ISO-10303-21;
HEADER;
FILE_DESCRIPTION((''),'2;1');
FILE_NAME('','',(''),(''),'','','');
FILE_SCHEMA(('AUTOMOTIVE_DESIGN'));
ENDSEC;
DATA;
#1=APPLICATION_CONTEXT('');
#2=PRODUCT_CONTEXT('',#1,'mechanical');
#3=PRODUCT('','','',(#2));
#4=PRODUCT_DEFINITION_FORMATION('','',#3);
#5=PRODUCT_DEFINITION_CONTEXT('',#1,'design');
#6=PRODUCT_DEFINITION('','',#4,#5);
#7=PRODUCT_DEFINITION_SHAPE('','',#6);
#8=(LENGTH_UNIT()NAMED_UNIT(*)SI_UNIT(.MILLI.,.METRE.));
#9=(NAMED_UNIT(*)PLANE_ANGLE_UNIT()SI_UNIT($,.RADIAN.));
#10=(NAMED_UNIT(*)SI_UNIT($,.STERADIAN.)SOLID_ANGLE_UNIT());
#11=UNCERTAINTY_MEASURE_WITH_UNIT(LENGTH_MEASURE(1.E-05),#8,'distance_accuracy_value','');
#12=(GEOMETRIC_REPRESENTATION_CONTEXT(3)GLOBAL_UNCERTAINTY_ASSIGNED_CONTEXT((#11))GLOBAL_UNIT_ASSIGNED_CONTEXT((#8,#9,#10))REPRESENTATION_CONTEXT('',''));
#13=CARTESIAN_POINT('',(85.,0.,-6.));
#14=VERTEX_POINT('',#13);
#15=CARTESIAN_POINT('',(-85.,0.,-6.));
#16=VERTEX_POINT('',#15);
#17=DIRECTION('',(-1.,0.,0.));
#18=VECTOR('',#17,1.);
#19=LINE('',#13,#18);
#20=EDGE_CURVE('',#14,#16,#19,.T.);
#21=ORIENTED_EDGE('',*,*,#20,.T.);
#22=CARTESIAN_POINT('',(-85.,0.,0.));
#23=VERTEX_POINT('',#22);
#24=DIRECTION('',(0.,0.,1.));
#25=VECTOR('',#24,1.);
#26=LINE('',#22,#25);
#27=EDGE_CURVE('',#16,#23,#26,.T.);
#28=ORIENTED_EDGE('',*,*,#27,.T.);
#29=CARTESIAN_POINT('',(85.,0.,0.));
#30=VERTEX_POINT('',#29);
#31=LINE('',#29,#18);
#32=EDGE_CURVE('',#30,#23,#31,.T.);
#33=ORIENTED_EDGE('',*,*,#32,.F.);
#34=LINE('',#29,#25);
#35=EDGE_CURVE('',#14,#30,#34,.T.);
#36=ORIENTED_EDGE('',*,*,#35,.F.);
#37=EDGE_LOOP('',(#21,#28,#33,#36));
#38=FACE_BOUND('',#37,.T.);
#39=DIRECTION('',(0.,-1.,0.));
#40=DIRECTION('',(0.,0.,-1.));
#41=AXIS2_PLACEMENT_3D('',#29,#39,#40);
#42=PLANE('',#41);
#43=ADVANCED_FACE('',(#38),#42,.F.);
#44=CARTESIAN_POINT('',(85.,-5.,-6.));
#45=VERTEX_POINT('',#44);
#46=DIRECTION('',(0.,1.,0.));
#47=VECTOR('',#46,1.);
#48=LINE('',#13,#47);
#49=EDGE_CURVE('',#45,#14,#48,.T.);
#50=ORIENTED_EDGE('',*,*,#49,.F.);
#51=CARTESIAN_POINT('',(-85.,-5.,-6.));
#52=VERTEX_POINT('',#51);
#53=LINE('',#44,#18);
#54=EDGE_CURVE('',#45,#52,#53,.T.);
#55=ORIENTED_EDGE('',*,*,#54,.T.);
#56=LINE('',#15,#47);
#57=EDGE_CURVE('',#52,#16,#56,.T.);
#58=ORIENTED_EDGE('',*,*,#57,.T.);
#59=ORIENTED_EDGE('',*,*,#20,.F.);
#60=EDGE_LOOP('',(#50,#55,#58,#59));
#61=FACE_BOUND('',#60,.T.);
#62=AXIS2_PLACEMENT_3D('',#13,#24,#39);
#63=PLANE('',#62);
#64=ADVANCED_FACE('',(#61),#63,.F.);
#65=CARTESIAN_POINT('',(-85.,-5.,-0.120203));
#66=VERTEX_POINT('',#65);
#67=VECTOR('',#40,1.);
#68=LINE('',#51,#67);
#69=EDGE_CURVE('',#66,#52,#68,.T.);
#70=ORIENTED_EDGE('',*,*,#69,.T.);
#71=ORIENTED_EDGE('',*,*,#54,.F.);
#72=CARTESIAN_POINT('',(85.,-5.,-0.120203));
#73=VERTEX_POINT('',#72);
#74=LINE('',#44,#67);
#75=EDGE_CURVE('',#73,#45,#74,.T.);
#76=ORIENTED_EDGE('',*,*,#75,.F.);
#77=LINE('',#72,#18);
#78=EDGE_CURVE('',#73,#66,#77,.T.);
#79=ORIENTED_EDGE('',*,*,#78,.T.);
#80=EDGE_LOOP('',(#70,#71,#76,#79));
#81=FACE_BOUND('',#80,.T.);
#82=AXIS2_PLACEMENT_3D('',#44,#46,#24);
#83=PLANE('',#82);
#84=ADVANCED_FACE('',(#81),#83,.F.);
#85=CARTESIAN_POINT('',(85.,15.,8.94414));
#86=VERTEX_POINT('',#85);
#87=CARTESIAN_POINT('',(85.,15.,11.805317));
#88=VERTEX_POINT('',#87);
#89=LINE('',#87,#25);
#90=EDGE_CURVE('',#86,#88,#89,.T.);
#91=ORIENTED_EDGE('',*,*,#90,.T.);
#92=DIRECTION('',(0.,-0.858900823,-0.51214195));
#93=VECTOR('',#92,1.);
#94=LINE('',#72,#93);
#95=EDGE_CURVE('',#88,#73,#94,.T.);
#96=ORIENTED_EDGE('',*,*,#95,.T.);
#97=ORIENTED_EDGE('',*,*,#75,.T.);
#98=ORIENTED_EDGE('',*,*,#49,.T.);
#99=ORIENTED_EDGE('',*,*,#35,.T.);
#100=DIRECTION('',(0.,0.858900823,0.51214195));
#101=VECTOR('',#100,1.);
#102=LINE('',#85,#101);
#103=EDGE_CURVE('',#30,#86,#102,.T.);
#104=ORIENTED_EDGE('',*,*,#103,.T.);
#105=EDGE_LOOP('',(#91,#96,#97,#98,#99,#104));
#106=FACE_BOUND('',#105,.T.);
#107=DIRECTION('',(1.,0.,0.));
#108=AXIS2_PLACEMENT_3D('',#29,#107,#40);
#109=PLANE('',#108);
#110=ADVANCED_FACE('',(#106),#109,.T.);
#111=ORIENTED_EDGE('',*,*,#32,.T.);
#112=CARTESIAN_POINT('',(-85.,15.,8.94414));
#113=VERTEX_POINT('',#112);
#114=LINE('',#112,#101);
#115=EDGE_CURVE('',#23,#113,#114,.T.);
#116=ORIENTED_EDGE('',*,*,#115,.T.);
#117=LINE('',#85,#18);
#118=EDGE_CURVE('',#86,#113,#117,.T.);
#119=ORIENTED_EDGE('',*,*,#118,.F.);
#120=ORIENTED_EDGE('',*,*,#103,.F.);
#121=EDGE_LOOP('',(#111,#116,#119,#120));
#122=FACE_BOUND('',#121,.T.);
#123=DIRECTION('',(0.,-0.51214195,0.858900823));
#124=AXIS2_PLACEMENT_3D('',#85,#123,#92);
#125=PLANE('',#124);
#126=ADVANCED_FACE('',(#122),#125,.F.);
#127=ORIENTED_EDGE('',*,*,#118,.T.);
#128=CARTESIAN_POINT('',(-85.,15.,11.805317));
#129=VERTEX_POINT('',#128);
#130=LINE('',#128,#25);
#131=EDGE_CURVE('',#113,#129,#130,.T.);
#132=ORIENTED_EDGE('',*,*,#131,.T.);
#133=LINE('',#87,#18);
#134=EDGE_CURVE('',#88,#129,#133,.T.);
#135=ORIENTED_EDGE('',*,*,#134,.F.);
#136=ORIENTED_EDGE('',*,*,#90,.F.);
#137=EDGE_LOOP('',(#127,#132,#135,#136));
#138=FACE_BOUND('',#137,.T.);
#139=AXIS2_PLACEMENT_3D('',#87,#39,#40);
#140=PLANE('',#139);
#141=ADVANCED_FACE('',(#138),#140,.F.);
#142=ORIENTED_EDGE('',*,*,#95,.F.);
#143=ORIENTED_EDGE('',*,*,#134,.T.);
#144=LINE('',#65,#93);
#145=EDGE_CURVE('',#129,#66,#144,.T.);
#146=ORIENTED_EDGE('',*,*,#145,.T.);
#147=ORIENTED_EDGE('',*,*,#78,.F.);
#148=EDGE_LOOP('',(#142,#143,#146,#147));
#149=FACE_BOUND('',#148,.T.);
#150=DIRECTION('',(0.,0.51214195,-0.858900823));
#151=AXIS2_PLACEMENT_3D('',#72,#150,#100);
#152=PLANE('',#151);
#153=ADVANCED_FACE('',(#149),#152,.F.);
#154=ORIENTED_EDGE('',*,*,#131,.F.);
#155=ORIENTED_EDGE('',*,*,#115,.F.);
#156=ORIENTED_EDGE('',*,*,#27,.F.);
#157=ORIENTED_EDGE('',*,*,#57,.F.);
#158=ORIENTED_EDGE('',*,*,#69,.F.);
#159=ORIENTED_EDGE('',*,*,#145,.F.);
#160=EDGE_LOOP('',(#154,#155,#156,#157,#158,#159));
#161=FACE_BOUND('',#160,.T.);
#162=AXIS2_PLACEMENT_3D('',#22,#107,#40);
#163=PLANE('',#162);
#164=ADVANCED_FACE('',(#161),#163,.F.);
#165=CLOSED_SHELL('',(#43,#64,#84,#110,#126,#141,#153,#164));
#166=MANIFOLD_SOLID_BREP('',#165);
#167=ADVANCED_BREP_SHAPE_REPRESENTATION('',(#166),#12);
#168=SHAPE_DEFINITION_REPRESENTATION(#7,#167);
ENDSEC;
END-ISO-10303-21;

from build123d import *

# Parameters (mm, degrees)
EXTRUDE_1_DEPTH = 85


with BuildPart() as part:
    # 草图1 → 凸台-拉伸1 (new, symmetric)
    with BuildSketch(Plane(origin=(0, 0, 0), x_dir=(0, 0, -1), z_dir=(1, 0, 0))):
        Polygon((0, 0), (6, 0), (6, -5), (0.120203488, -5), (-11.80531658, 15), (-8.944140051, 15), align=None)
    extrude(amount=EXTRUDE_1_DEPTH, both=True)


solid = part.part
